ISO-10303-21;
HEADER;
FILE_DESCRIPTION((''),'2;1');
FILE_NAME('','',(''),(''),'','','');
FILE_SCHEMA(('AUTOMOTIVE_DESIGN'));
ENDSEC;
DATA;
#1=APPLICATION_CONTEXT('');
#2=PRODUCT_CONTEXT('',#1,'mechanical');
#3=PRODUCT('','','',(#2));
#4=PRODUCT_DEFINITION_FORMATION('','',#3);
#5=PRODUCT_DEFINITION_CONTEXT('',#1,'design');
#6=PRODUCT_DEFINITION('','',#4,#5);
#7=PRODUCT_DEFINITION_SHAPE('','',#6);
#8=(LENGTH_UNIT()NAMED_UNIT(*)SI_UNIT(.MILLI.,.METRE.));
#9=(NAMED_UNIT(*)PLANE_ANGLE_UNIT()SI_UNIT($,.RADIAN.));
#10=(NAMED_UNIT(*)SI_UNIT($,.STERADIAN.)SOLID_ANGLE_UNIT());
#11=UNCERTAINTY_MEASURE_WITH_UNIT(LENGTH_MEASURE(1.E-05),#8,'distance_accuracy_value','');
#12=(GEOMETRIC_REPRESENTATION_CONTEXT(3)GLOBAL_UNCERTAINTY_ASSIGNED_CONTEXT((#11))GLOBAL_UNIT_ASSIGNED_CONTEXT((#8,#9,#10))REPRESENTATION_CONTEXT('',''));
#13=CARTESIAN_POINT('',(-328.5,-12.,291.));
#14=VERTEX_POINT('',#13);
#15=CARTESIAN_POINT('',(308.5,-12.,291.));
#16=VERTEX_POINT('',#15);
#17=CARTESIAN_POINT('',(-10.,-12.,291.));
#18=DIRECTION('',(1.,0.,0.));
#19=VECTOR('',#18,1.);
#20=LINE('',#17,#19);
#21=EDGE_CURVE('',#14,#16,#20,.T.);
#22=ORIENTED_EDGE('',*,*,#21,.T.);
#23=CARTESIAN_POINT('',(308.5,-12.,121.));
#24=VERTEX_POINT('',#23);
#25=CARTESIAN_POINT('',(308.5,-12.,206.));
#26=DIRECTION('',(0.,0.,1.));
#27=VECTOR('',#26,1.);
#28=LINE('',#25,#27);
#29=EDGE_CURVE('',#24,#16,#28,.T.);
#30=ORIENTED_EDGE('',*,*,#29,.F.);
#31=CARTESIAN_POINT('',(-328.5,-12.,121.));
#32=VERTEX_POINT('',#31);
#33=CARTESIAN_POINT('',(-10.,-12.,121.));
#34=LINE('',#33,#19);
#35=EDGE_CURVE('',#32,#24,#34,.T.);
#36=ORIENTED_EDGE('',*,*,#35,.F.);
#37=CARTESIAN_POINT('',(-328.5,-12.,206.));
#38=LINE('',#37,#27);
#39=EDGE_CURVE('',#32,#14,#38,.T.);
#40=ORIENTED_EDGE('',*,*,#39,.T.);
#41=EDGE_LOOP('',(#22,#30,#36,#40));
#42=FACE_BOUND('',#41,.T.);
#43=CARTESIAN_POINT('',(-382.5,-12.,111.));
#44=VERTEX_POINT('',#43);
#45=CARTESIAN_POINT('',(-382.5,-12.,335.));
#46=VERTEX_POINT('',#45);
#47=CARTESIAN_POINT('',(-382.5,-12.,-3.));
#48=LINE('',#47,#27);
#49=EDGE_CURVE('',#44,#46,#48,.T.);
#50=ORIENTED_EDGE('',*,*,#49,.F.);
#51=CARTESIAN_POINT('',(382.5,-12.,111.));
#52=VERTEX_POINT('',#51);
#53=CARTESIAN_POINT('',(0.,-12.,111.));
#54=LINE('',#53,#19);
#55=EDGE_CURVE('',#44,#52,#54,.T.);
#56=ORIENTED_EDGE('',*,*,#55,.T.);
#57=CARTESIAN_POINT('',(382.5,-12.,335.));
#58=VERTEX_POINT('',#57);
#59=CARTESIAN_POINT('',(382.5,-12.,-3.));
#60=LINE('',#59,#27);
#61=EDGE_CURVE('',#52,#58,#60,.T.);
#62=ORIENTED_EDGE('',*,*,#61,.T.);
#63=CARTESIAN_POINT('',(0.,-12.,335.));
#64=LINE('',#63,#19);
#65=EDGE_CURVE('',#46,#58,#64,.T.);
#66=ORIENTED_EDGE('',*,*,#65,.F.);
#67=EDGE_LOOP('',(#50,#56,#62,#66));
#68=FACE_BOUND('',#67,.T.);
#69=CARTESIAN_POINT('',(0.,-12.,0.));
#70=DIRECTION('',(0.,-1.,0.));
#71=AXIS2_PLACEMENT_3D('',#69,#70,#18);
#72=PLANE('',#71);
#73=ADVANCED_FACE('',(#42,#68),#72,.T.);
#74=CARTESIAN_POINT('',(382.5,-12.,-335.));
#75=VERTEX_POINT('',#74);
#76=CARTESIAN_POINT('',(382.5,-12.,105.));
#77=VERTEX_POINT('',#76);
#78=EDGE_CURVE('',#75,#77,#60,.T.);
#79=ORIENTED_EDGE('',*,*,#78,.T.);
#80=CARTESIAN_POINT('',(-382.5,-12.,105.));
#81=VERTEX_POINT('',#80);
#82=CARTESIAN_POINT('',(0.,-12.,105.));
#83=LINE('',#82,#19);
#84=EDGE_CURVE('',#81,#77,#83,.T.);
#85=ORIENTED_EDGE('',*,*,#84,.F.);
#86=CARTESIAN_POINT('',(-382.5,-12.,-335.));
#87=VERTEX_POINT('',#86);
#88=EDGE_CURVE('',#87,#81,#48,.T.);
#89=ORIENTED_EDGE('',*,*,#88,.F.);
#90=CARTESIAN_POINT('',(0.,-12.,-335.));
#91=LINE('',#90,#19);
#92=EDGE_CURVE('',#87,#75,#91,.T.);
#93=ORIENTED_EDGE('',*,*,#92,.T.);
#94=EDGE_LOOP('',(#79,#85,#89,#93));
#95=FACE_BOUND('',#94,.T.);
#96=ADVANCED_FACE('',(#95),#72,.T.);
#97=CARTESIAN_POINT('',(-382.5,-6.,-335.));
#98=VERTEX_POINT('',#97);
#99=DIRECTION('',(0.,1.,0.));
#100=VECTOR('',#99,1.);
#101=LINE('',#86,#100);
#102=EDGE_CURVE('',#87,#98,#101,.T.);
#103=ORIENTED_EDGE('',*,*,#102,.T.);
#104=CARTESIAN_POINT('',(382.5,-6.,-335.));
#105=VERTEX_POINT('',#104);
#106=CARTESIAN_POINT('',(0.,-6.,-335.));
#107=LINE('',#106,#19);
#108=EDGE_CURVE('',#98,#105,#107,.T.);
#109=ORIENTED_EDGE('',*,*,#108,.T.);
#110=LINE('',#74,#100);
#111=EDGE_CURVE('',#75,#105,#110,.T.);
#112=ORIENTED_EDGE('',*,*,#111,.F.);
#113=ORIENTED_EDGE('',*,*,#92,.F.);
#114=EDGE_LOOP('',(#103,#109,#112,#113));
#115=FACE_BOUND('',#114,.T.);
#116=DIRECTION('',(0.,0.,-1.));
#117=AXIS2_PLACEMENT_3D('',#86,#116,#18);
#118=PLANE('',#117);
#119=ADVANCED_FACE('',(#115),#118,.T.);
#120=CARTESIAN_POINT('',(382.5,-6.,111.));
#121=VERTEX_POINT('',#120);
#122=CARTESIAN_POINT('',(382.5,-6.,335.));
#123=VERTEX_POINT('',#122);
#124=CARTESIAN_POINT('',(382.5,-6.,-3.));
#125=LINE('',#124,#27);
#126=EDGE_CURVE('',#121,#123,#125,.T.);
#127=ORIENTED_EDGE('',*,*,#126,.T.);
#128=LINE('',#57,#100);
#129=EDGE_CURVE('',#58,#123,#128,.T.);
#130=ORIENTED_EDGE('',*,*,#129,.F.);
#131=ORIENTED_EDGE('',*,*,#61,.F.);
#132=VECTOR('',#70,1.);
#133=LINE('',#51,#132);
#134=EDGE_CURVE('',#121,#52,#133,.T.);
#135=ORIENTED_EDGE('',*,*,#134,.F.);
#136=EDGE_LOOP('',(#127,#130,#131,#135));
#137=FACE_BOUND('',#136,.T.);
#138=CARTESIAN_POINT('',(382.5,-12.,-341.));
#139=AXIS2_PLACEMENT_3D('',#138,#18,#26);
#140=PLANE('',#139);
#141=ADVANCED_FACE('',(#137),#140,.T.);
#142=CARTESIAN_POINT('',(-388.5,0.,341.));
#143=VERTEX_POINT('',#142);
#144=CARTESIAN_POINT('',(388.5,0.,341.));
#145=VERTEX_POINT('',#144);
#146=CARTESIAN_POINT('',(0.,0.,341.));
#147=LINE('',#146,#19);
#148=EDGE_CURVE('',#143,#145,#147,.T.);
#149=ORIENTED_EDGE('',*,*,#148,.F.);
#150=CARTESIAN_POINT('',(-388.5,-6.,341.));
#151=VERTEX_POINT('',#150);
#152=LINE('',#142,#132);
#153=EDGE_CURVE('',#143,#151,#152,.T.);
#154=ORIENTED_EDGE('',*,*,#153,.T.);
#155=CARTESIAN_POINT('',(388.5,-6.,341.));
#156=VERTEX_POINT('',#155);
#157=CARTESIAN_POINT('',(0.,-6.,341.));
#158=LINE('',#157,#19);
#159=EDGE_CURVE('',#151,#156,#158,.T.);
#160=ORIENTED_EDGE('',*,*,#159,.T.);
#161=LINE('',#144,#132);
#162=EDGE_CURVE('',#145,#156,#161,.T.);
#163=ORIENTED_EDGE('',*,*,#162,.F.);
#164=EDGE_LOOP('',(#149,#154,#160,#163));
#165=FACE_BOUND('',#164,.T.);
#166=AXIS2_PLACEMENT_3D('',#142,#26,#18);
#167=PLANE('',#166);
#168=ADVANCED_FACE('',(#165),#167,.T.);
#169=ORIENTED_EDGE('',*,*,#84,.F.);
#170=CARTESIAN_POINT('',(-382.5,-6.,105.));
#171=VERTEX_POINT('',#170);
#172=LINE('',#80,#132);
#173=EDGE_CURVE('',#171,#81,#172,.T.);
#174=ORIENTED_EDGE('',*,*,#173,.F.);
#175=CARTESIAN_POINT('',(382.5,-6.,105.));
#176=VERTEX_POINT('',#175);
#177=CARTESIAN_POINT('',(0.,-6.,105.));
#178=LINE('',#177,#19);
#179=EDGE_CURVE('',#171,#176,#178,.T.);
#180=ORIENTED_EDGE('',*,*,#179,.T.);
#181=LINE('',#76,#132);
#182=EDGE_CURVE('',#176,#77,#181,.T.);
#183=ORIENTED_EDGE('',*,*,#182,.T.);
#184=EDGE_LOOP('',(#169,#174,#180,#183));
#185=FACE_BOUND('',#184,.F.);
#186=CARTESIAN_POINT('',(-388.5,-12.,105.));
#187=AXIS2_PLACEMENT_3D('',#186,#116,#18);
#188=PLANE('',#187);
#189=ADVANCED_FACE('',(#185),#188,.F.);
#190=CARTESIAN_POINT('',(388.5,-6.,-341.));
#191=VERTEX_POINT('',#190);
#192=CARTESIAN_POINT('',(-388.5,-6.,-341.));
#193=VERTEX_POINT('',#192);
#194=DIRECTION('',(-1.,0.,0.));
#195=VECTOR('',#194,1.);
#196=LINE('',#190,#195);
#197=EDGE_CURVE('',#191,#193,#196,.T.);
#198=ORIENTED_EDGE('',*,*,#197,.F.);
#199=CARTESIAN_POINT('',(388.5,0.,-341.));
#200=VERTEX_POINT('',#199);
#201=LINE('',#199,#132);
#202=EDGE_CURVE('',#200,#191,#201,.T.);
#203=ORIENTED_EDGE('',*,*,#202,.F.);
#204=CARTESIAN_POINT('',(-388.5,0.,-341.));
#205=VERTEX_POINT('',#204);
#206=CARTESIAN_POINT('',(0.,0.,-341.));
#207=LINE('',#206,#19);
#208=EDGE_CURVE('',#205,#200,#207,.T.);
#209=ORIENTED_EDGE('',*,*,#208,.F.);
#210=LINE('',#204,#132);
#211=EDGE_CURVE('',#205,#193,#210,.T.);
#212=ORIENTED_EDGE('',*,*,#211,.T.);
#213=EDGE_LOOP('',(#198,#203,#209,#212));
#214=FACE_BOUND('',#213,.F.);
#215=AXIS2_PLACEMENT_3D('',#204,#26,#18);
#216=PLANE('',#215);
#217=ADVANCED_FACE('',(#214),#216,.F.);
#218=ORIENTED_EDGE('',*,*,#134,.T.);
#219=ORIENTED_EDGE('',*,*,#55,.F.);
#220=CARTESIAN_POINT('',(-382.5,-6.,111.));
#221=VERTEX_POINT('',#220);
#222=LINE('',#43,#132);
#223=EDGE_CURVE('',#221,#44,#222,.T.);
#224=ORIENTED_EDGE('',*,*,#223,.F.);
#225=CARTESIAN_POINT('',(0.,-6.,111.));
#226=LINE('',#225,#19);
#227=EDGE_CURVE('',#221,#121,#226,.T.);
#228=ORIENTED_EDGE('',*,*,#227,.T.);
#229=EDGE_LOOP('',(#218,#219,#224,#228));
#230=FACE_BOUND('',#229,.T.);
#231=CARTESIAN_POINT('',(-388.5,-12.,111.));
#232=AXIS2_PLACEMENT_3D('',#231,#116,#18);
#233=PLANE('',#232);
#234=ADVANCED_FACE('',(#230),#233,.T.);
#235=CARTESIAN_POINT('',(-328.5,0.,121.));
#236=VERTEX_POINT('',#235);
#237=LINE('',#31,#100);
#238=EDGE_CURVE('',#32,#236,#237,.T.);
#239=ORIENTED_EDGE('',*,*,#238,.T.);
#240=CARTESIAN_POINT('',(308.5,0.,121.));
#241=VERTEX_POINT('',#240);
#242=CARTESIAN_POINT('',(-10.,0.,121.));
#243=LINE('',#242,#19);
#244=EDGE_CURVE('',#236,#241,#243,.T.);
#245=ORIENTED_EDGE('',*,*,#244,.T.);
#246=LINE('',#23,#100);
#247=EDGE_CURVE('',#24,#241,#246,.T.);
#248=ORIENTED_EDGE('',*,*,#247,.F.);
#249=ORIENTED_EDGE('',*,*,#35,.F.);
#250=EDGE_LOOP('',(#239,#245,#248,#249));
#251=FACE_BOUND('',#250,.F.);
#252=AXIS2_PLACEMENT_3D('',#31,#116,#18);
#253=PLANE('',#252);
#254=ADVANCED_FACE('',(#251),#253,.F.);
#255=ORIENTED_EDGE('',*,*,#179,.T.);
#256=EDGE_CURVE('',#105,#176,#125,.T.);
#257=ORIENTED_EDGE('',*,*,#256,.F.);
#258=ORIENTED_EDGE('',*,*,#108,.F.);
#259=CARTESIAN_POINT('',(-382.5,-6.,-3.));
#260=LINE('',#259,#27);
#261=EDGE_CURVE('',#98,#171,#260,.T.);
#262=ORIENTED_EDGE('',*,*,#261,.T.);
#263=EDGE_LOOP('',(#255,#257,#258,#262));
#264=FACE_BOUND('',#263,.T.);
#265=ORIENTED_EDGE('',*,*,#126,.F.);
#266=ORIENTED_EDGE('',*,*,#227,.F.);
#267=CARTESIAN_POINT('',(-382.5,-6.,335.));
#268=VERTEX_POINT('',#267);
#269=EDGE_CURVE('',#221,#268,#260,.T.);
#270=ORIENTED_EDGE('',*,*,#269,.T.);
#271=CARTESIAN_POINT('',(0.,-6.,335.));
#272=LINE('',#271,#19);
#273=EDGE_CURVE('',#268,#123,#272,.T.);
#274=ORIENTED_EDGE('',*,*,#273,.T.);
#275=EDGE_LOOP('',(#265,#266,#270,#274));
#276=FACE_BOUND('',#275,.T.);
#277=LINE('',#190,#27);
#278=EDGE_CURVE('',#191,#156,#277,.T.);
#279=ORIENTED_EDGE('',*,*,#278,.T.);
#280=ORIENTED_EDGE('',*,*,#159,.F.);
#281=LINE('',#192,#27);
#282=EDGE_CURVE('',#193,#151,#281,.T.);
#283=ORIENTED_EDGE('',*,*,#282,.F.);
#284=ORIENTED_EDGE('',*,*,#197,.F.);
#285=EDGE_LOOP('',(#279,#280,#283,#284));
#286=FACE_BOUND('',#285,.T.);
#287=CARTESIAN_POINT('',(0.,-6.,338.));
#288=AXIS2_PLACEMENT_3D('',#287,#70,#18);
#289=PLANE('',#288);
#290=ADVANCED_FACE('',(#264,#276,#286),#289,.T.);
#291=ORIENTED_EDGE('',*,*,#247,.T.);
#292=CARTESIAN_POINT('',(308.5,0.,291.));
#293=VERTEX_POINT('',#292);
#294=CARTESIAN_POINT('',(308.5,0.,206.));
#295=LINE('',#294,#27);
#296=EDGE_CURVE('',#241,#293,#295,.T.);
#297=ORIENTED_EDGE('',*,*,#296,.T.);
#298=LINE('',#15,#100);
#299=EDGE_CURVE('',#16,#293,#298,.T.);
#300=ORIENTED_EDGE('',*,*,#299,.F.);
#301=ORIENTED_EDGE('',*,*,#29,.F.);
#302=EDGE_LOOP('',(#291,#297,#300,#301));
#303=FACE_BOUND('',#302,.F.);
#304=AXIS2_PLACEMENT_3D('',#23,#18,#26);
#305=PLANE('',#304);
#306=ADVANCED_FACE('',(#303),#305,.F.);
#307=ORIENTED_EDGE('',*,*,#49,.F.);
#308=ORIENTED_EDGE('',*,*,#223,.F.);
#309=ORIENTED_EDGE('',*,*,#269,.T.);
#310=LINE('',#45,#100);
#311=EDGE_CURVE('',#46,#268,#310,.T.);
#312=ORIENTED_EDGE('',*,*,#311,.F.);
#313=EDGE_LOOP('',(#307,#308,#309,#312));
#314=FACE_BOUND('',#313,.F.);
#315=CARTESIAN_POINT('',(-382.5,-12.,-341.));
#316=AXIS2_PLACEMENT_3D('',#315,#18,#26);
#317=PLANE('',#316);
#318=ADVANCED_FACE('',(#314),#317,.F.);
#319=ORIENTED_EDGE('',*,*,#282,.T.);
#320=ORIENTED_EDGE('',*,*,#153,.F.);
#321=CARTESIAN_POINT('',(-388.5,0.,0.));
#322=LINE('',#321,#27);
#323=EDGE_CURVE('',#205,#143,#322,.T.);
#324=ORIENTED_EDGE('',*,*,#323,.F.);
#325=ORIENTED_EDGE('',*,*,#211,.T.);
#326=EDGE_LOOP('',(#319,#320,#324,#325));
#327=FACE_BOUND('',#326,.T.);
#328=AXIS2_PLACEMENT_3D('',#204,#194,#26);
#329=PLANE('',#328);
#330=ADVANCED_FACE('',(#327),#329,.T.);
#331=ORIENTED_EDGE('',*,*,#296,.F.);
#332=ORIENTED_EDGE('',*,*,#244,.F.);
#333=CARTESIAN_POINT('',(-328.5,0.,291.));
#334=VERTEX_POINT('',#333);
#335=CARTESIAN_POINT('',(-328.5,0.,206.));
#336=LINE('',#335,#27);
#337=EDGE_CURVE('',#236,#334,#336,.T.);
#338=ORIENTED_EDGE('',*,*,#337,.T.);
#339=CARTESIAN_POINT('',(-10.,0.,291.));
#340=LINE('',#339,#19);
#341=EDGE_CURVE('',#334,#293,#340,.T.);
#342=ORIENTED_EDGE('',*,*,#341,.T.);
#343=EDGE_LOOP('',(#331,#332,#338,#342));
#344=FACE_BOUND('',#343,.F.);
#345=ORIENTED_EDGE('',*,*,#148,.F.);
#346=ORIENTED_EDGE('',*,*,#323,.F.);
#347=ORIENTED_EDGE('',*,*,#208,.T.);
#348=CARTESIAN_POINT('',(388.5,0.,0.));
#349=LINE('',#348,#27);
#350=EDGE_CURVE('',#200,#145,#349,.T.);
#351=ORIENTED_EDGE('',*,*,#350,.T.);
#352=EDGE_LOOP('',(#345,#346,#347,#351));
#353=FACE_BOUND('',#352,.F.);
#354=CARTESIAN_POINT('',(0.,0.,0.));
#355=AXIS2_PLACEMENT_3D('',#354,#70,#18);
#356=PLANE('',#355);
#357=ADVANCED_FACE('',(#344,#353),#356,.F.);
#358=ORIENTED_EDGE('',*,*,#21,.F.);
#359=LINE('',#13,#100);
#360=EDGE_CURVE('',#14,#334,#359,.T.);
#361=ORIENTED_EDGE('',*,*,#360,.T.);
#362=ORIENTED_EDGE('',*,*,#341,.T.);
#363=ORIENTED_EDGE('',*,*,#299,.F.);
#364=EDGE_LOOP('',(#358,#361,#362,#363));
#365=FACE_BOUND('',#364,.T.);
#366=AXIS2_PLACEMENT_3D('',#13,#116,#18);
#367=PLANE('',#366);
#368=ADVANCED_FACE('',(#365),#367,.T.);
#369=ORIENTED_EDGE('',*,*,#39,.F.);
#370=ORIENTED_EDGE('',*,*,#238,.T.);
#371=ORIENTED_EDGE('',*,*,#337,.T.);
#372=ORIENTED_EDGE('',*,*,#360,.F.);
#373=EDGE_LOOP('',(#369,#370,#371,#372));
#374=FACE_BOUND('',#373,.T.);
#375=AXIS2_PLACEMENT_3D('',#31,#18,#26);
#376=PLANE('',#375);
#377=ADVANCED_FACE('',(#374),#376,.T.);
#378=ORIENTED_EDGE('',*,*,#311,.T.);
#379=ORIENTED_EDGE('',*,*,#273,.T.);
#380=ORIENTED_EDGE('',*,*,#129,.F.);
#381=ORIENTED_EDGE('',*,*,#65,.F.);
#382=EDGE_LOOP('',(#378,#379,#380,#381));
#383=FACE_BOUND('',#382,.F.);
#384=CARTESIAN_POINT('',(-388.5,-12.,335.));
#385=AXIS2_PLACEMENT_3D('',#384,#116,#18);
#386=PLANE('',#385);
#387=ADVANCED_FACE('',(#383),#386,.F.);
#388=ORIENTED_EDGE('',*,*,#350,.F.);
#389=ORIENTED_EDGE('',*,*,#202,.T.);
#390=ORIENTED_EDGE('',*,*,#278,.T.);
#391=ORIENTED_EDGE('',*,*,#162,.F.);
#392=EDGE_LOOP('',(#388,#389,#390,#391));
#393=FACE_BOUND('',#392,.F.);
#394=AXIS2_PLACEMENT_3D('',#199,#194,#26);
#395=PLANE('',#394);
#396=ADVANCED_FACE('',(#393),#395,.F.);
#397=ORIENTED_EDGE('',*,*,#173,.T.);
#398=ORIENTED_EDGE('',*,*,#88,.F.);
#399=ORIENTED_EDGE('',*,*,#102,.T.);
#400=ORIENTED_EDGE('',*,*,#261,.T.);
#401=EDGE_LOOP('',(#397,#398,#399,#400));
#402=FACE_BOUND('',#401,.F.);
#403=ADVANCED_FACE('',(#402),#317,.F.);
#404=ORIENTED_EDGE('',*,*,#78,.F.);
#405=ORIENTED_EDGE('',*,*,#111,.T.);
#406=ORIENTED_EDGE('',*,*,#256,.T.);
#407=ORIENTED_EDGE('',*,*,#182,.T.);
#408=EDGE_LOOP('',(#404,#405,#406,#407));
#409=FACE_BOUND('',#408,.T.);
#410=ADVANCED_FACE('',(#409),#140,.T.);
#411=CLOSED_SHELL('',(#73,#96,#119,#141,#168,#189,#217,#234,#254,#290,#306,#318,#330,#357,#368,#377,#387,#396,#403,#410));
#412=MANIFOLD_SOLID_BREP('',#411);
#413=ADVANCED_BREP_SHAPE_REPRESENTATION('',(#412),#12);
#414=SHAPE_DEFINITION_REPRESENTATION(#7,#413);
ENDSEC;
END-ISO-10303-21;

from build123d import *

# Parameters (mm, degrees)
F0_W      = 777
F0_H      = 682
F1_DEPTH  = 12
F2_W      = 777
F2_H      = 6
F3_DEPTH  = 6
F4_W      = 637
F4_H      = 170
F5_DEPTH  = 12
F6_W      = 777
F6_H      = 6
F7_DEPTH  = 6
F8_W      = 6
F8_H      = 676
F9_DEPTH  = 6
F10_W     = 6
F10_H     = 676
F11_DEPTH = 6
F12_W     = 765
F12_H     = 6
F13_DEPTH = 6


with BuildPart() as f1:
    # F0 (on Front) → F1 (new body)
    with BuildSketch(Plane.XZ):
        Rectangle(F0_W, F0_H)
    extrude(amount=F1_DEPTH)

    # F2 (on face) → F3 (cut)
    with BuildSketch(Plane.XZ.offset(12)):
        with Locations((0, 108)):
            Rectangle(F2_W, F2_H)
    extrude(amount=-F3_DEPTH, mode=Mode.SUBTRACT)

    # F4 (on face) → F5 (cut, through all)
    with BuildSketch(Plane.XZ.offset(12)):
        with Locations((-10, 206)):
            Rectangle(F4_W, F4_H)
    extrude(amount=-F5_DEPTH, mode=Mode.SUBTRACT)

    # F6 (on face) → F7 (cut)
    with BuildSketch(Plane.XZ.offset(12)):
        with Locations((0, 338)):
            Rectangle(F6_W, F6_H)
    extrude(amount=-F7_DEPTH, mode=Mode.SUBTRACT)

    # F8 (on face) → F9 (cut)
    with BuildSketch(Plane.XZ.offset(12)):
        with Locations((-385.5, -3)):
            Rectangle(F8_W, F8_H)
    extrude(amount=-F9_DEPTH, mode=Mode.SUBTRACT)

    # F10 (on face) → F11 (cut)
    with BuildSketch(Plane.XZ.offset(12)):
        with Locations((385.5, -3)):
            Rectangle(F10_W, F10_H)
    extrude(amount=-F11_DEPTH, mode=Mode.SUBTRACT)

    # F12 (on face) → F13 (cut)
    with BuildSketch(Plane.XZ.offset(12)):
        with Locations((0, -338)):
            Rectangle(F12_W, F12_H)
    extrude(amount=-F13_DEPTH, mode=Mode.SUBTRACT)


solid = f1.part
